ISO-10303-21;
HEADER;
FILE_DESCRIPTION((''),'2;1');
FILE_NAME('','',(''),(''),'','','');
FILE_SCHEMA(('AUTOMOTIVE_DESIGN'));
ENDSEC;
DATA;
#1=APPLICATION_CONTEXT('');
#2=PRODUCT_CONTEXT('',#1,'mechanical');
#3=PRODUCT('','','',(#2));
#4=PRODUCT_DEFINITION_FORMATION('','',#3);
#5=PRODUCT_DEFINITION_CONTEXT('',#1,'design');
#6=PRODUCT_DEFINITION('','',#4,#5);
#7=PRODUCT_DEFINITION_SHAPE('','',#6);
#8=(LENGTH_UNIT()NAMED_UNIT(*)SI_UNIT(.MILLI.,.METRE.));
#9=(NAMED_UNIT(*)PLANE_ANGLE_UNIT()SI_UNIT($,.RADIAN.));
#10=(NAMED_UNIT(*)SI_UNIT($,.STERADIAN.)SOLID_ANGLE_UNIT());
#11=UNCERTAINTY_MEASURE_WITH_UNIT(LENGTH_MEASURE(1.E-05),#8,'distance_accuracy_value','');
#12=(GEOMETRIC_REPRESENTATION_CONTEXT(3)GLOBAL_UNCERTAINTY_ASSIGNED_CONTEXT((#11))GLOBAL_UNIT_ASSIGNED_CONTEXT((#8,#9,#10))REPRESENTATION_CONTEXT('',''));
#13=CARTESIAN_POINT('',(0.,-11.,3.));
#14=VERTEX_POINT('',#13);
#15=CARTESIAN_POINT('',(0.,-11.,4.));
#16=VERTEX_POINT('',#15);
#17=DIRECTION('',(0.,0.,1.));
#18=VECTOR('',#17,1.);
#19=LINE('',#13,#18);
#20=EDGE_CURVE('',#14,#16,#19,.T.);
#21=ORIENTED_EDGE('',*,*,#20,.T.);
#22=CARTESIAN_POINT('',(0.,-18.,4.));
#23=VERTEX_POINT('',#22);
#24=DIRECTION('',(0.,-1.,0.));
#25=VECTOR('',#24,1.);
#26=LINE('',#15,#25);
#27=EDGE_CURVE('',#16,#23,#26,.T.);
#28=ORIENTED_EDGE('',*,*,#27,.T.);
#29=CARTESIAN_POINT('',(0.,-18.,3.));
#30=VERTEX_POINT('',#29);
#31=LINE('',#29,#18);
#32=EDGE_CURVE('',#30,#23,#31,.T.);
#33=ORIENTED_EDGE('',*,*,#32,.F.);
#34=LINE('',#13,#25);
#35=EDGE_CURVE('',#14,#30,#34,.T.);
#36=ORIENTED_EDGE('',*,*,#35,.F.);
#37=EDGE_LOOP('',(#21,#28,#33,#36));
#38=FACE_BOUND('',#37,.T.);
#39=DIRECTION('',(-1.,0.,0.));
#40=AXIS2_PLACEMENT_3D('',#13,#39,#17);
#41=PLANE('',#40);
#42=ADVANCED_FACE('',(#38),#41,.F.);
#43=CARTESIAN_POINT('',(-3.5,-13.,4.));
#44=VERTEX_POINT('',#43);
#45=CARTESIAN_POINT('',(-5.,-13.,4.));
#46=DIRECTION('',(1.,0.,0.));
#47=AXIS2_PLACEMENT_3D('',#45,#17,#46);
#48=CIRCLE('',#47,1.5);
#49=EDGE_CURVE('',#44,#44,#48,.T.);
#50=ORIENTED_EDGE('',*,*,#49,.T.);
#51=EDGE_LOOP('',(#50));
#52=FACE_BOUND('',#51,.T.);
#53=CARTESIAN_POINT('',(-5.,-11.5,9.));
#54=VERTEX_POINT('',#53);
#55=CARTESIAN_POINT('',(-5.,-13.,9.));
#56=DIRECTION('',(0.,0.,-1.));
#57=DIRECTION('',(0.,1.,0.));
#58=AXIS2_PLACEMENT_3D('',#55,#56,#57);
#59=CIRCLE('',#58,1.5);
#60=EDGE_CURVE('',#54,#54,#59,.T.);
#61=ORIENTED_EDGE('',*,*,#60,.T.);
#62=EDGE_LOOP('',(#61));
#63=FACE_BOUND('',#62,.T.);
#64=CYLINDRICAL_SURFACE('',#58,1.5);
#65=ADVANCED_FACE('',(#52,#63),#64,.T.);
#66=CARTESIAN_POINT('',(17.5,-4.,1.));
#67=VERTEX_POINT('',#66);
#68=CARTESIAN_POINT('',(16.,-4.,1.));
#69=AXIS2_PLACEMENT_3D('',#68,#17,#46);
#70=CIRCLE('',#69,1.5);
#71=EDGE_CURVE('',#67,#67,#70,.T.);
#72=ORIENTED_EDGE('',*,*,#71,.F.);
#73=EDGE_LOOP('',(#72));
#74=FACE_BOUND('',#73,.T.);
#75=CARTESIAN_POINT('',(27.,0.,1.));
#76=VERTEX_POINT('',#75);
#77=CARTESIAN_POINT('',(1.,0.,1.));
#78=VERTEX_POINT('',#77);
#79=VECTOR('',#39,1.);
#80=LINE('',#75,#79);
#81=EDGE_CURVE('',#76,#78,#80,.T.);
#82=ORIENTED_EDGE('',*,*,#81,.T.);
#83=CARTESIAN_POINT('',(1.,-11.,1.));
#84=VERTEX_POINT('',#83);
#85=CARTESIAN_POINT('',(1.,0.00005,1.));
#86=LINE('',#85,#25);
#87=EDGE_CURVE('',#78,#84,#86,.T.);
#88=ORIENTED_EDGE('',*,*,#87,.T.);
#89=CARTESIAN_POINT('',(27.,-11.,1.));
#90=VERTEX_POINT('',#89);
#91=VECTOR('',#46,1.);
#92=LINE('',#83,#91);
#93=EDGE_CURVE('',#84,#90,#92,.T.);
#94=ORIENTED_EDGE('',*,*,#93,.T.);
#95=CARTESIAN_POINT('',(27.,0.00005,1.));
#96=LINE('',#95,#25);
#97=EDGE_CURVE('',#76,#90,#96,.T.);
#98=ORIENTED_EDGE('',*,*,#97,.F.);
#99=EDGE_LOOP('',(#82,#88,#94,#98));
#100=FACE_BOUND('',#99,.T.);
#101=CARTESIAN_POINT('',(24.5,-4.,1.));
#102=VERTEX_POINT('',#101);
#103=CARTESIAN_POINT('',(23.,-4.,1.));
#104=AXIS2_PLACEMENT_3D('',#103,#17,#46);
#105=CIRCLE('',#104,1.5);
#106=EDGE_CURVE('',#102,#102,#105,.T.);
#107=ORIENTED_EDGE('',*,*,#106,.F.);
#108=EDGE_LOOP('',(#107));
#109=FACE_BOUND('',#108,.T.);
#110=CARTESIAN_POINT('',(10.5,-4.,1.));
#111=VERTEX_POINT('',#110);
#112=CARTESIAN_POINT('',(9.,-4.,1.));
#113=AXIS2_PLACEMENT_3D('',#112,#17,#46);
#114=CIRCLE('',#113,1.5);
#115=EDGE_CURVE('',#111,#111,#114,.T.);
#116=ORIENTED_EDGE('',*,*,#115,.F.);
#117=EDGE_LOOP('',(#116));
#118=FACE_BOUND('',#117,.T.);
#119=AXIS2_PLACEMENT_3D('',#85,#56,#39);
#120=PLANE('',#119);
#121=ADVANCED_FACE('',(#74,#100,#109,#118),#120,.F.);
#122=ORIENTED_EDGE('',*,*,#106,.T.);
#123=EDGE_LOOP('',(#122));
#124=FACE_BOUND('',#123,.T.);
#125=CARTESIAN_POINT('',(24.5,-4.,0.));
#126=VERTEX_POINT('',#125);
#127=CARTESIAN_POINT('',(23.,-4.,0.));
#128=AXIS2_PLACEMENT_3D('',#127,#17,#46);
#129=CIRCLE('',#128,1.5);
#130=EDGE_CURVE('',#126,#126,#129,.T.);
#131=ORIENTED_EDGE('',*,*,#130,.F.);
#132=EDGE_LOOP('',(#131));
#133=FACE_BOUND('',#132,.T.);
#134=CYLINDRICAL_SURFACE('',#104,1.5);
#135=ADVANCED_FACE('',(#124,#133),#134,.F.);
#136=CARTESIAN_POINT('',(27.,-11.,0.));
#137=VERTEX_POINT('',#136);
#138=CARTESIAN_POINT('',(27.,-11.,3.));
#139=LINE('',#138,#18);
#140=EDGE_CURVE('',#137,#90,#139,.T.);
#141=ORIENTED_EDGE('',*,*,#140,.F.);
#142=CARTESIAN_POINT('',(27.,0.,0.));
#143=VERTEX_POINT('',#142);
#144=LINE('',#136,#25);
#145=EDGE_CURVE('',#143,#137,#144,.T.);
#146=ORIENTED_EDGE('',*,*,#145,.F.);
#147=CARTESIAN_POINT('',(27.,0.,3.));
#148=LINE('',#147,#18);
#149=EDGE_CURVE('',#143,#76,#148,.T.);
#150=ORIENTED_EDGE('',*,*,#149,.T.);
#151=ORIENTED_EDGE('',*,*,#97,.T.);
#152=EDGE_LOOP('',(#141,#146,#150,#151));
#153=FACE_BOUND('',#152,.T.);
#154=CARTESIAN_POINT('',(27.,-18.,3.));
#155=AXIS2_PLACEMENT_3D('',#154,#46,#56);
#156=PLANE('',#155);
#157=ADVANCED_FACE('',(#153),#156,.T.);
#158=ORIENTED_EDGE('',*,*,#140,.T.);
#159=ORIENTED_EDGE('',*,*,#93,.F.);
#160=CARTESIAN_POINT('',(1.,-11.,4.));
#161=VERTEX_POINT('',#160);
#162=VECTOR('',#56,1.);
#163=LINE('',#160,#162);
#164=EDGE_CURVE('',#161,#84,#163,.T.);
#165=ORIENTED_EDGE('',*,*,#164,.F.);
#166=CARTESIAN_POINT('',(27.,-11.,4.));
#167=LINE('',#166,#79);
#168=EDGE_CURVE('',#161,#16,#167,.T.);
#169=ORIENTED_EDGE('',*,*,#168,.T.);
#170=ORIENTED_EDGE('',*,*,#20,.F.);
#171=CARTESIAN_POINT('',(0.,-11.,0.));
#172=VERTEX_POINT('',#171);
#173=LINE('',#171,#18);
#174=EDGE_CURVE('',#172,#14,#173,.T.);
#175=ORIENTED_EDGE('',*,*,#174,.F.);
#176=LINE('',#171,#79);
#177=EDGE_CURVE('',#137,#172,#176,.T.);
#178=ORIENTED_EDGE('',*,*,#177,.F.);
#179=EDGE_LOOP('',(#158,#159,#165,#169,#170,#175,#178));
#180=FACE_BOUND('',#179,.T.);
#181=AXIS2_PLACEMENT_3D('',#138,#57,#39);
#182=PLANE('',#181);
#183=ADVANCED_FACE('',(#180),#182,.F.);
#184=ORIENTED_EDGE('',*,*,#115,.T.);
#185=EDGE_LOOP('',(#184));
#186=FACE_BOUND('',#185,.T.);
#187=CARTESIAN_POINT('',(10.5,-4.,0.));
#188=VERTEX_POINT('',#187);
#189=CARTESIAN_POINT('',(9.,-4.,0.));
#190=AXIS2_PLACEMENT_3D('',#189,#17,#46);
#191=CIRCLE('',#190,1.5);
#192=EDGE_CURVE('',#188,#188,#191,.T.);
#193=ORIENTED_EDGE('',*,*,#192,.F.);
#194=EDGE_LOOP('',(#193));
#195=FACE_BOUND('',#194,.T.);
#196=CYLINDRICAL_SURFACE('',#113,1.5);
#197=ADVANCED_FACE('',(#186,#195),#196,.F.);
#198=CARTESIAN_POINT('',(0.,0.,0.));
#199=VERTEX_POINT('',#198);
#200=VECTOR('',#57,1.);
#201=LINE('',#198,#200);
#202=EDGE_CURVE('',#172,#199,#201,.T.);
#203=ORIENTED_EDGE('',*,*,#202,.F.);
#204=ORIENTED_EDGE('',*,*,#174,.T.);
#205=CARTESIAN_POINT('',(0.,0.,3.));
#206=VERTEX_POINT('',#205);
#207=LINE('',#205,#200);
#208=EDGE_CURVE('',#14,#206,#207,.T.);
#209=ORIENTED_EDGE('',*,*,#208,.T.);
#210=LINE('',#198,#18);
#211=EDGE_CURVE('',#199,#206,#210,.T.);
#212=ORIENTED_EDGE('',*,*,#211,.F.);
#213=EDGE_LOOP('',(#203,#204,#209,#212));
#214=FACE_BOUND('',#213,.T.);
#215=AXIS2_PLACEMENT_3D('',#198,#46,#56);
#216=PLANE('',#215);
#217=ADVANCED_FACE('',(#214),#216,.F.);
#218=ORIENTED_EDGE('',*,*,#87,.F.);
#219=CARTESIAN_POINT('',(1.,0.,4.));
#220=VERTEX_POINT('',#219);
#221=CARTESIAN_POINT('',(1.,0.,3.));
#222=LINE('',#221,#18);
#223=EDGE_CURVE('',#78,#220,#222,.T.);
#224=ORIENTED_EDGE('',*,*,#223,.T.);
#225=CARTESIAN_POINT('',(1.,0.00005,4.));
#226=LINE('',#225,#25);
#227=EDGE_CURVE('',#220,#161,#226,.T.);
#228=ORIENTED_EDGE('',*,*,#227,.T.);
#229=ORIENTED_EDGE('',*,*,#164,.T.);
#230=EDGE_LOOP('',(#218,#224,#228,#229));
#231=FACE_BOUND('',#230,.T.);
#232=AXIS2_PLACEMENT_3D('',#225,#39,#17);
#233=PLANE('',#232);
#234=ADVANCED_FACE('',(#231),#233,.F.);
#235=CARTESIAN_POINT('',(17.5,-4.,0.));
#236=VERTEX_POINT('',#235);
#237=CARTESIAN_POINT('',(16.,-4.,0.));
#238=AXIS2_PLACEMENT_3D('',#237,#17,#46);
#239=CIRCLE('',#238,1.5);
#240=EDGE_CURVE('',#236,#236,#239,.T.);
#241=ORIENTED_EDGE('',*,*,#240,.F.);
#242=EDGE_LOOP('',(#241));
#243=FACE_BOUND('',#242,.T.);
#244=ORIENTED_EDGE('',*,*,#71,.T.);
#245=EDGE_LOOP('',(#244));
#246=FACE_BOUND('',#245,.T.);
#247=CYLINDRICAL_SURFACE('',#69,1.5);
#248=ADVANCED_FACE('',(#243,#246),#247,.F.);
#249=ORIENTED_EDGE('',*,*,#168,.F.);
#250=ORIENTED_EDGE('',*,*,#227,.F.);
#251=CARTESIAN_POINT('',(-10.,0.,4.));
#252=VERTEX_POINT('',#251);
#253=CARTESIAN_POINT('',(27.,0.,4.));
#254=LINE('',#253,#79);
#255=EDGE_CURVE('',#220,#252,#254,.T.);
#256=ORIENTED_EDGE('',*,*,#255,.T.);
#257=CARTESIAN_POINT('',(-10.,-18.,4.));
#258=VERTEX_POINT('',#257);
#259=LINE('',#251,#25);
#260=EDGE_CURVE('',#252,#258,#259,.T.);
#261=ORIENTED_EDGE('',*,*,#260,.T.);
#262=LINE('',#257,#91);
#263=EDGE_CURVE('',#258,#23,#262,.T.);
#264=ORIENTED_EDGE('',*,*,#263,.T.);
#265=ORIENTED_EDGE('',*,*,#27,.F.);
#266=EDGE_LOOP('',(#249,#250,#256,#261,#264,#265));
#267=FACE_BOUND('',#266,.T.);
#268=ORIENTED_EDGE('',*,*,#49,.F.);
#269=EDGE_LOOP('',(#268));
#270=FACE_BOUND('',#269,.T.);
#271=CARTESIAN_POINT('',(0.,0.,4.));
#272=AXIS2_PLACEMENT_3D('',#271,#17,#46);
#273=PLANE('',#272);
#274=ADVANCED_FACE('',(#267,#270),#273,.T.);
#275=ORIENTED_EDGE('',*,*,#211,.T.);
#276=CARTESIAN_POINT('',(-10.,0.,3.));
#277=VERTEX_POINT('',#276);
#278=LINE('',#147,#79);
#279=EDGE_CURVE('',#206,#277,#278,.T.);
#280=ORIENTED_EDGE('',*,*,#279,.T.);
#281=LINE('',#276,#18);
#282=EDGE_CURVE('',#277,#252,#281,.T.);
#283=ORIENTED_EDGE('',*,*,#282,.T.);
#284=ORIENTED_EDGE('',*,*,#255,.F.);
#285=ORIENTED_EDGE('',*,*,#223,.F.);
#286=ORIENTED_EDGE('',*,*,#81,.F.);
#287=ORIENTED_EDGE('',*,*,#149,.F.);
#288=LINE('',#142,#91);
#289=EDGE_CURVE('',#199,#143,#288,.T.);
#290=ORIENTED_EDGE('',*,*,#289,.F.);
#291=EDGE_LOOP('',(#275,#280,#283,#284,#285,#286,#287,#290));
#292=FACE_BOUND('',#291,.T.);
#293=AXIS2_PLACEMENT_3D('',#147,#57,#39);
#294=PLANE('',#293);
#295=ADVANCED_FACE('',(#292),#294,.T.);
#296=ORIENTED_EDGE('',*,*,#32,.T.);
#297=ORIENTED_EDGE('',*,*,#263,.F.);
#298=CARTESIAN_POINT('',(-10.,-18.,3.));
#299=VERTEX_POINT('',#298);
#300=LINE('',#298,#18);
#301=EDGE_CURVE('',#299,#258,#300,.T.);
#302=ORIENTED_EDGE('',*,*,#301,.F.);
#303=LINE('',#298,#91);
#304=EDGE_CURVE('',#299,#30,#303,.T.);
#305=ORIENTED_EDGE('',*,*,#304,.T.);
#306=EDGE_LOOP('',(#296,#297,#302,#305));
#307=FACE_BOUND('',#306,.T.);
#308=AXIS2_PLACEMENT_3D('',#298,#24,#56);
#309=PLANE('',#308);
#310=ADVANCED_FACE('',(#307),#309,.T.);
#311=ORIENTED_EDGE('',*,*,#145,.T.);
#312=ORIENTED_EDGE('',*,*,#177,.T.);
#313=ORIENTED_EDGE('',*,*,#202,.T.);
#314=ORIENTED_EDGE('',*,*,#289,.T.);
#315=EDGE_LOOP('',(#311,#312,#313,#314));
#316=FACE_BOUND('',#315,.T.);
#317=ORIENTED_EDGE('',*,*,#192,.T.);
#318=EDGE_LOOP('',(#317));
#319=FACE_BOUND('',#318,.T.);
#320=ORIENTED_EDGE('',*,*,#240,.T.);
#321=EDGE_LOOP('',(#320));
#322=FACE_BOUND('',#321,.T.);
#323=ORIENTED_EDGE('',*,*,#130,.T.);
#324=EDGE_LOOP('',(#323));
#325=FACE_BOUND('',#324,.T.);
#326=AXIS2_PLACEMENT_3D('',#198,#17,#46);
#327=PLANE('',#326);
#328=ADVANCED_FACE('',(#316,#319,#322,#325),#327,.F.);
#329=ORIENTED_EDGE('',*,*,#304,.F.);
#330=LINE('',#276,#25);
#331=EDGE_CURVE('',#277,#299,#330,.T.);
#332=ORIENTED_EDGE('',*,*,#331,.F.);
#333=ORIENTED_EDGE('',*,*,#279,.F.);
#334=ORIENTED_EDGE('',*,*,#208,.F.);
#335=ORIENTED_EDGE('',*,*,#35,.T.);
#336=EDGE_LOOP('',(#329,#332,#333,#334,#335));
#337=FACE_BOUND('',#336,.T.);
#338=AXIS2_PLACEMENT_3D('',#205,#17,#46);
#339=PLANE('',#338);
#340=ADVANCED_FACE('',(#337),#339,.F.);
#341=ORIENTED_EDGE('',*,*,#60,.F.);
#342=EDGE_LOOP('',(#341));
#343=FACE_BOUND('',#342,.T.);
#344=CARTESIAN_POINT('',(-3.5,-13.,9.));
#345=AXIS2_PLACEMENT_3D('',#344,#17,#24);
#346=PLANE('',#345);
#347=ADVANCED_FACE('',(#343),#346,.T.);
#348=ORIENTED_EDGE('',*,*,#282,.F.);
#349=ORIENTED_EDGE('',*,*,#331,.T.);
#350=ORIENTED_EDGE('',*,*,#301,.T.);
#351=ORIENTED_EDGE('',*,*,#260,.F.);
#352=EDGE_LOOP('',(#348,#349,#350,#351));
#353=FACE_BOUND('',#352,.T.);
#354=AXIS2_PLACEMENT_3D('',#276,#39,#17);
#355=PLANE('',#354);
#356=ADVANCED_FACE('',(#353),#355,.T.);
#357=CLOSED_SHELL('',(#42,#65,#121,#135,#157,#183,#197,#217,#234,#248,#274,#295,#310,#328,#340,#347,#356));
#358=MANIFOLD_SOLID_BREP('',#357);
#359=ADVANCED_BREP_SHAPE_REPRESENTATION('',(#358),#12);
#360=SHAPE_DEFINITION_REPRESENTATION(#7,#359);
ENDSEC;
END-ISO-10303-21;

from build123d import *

# Parameters (mm, degrees)
SKETCH_1_W            = 37
SKETCH_1_H            = 18
EXTRUDE_1_DEPTH       = 1
SKETCH_2_W            = 27
SKETCH_2_H            = 7
CUT_EXTRUDE_1_DEPTH   = 33.465366161
SKETCH_3_W            = 27
SKETCH_3_H            = 11
EXTRUDE_2_DEPTH       = 3
SKETCH_4_W            = 26
SKETCH_4_H            = 3
CUT_EXTRUDE_2_DEPTH   = 30.427877939
SKETCH_5_W            = 1.5
SKETCH_5_H            = 5
HOLE_WIZARD_3_0_3_1_D = 3


with BuildPart() as part:
    # Эскиз1 → Бобышка-Вытянуть1 (new body)
    with BuildSketch(Plane.XY.offset(4)):
        with Locations((8.5, -9)):
            Rectangle(SKETCH_1_W, SKETCH_1_H)
    extrude(amount=-EXTRUDE_1_DEPTH)

    # Эскиз2 → Вырез-Вытянуть1 (cut, through all)
    with BuildSketch(Plane.XY.offset(4)):
        with Locations((13.5, -14.5)):
            Rectangle(SKETCH_2_W, SKETCH_2_H)
    extrude(amount=-CUT_EXTRUDE_1_DEPTH, mode=Mode.SUBTRACT)

    # Эскиз3 → Бобышка-Вытянуть2 (add)
    with BuildSketch(Plane(origin=(0, 0, 3), x_dir=(-1, 0, 0), z_dir=(0, 0, -1))):
        with Locations((-13.5, -5.5)):
            Rectangle(SKETCH_3_W, SKETCH_3_H)
    extrude(amount=EXTRUDE_2_DEPTH)

    # Эскиз4 → Вырез-Вытянуть2 (cut, through all)
    with BuildSketch(Plane.XZ.offset(11)):
        with Locations((14, 2.5)):
            Rectangle(SKETCH_4_W, SKETCH_4_H)
    extrude(amount=-CUT_EXTRUDE_2_DEPTH, mode=Mode.SUBTRACT)

    # Эскиз5 → Повернуть1 (revolve)
    with BuildSketch(Plane.XZ.offset(13), mode=Mode.PRIVATE) as revolve_1_sk:
        with Locations((-4.25, 6.5)):
            Rectangle(SKETCH_5_W, SKETCH_5_H)
    revolve(revolve_1_sk.sketch.rotate(Axis((-5, -13, 9), (0, 0, -1)), 270), axis=Axis((-5, -13, 9), (0, 0, -1)))

    # Диаметр отверстия Ø3.0 (3)1 (through all)
    with Locations(Plane.XY.offset(1)):
        with Locations((23, -4), (16, -4), (9, -4)):
            Hole(HOLE_WIZARD_3_0_3_1_D / 2)


solid = part.part
